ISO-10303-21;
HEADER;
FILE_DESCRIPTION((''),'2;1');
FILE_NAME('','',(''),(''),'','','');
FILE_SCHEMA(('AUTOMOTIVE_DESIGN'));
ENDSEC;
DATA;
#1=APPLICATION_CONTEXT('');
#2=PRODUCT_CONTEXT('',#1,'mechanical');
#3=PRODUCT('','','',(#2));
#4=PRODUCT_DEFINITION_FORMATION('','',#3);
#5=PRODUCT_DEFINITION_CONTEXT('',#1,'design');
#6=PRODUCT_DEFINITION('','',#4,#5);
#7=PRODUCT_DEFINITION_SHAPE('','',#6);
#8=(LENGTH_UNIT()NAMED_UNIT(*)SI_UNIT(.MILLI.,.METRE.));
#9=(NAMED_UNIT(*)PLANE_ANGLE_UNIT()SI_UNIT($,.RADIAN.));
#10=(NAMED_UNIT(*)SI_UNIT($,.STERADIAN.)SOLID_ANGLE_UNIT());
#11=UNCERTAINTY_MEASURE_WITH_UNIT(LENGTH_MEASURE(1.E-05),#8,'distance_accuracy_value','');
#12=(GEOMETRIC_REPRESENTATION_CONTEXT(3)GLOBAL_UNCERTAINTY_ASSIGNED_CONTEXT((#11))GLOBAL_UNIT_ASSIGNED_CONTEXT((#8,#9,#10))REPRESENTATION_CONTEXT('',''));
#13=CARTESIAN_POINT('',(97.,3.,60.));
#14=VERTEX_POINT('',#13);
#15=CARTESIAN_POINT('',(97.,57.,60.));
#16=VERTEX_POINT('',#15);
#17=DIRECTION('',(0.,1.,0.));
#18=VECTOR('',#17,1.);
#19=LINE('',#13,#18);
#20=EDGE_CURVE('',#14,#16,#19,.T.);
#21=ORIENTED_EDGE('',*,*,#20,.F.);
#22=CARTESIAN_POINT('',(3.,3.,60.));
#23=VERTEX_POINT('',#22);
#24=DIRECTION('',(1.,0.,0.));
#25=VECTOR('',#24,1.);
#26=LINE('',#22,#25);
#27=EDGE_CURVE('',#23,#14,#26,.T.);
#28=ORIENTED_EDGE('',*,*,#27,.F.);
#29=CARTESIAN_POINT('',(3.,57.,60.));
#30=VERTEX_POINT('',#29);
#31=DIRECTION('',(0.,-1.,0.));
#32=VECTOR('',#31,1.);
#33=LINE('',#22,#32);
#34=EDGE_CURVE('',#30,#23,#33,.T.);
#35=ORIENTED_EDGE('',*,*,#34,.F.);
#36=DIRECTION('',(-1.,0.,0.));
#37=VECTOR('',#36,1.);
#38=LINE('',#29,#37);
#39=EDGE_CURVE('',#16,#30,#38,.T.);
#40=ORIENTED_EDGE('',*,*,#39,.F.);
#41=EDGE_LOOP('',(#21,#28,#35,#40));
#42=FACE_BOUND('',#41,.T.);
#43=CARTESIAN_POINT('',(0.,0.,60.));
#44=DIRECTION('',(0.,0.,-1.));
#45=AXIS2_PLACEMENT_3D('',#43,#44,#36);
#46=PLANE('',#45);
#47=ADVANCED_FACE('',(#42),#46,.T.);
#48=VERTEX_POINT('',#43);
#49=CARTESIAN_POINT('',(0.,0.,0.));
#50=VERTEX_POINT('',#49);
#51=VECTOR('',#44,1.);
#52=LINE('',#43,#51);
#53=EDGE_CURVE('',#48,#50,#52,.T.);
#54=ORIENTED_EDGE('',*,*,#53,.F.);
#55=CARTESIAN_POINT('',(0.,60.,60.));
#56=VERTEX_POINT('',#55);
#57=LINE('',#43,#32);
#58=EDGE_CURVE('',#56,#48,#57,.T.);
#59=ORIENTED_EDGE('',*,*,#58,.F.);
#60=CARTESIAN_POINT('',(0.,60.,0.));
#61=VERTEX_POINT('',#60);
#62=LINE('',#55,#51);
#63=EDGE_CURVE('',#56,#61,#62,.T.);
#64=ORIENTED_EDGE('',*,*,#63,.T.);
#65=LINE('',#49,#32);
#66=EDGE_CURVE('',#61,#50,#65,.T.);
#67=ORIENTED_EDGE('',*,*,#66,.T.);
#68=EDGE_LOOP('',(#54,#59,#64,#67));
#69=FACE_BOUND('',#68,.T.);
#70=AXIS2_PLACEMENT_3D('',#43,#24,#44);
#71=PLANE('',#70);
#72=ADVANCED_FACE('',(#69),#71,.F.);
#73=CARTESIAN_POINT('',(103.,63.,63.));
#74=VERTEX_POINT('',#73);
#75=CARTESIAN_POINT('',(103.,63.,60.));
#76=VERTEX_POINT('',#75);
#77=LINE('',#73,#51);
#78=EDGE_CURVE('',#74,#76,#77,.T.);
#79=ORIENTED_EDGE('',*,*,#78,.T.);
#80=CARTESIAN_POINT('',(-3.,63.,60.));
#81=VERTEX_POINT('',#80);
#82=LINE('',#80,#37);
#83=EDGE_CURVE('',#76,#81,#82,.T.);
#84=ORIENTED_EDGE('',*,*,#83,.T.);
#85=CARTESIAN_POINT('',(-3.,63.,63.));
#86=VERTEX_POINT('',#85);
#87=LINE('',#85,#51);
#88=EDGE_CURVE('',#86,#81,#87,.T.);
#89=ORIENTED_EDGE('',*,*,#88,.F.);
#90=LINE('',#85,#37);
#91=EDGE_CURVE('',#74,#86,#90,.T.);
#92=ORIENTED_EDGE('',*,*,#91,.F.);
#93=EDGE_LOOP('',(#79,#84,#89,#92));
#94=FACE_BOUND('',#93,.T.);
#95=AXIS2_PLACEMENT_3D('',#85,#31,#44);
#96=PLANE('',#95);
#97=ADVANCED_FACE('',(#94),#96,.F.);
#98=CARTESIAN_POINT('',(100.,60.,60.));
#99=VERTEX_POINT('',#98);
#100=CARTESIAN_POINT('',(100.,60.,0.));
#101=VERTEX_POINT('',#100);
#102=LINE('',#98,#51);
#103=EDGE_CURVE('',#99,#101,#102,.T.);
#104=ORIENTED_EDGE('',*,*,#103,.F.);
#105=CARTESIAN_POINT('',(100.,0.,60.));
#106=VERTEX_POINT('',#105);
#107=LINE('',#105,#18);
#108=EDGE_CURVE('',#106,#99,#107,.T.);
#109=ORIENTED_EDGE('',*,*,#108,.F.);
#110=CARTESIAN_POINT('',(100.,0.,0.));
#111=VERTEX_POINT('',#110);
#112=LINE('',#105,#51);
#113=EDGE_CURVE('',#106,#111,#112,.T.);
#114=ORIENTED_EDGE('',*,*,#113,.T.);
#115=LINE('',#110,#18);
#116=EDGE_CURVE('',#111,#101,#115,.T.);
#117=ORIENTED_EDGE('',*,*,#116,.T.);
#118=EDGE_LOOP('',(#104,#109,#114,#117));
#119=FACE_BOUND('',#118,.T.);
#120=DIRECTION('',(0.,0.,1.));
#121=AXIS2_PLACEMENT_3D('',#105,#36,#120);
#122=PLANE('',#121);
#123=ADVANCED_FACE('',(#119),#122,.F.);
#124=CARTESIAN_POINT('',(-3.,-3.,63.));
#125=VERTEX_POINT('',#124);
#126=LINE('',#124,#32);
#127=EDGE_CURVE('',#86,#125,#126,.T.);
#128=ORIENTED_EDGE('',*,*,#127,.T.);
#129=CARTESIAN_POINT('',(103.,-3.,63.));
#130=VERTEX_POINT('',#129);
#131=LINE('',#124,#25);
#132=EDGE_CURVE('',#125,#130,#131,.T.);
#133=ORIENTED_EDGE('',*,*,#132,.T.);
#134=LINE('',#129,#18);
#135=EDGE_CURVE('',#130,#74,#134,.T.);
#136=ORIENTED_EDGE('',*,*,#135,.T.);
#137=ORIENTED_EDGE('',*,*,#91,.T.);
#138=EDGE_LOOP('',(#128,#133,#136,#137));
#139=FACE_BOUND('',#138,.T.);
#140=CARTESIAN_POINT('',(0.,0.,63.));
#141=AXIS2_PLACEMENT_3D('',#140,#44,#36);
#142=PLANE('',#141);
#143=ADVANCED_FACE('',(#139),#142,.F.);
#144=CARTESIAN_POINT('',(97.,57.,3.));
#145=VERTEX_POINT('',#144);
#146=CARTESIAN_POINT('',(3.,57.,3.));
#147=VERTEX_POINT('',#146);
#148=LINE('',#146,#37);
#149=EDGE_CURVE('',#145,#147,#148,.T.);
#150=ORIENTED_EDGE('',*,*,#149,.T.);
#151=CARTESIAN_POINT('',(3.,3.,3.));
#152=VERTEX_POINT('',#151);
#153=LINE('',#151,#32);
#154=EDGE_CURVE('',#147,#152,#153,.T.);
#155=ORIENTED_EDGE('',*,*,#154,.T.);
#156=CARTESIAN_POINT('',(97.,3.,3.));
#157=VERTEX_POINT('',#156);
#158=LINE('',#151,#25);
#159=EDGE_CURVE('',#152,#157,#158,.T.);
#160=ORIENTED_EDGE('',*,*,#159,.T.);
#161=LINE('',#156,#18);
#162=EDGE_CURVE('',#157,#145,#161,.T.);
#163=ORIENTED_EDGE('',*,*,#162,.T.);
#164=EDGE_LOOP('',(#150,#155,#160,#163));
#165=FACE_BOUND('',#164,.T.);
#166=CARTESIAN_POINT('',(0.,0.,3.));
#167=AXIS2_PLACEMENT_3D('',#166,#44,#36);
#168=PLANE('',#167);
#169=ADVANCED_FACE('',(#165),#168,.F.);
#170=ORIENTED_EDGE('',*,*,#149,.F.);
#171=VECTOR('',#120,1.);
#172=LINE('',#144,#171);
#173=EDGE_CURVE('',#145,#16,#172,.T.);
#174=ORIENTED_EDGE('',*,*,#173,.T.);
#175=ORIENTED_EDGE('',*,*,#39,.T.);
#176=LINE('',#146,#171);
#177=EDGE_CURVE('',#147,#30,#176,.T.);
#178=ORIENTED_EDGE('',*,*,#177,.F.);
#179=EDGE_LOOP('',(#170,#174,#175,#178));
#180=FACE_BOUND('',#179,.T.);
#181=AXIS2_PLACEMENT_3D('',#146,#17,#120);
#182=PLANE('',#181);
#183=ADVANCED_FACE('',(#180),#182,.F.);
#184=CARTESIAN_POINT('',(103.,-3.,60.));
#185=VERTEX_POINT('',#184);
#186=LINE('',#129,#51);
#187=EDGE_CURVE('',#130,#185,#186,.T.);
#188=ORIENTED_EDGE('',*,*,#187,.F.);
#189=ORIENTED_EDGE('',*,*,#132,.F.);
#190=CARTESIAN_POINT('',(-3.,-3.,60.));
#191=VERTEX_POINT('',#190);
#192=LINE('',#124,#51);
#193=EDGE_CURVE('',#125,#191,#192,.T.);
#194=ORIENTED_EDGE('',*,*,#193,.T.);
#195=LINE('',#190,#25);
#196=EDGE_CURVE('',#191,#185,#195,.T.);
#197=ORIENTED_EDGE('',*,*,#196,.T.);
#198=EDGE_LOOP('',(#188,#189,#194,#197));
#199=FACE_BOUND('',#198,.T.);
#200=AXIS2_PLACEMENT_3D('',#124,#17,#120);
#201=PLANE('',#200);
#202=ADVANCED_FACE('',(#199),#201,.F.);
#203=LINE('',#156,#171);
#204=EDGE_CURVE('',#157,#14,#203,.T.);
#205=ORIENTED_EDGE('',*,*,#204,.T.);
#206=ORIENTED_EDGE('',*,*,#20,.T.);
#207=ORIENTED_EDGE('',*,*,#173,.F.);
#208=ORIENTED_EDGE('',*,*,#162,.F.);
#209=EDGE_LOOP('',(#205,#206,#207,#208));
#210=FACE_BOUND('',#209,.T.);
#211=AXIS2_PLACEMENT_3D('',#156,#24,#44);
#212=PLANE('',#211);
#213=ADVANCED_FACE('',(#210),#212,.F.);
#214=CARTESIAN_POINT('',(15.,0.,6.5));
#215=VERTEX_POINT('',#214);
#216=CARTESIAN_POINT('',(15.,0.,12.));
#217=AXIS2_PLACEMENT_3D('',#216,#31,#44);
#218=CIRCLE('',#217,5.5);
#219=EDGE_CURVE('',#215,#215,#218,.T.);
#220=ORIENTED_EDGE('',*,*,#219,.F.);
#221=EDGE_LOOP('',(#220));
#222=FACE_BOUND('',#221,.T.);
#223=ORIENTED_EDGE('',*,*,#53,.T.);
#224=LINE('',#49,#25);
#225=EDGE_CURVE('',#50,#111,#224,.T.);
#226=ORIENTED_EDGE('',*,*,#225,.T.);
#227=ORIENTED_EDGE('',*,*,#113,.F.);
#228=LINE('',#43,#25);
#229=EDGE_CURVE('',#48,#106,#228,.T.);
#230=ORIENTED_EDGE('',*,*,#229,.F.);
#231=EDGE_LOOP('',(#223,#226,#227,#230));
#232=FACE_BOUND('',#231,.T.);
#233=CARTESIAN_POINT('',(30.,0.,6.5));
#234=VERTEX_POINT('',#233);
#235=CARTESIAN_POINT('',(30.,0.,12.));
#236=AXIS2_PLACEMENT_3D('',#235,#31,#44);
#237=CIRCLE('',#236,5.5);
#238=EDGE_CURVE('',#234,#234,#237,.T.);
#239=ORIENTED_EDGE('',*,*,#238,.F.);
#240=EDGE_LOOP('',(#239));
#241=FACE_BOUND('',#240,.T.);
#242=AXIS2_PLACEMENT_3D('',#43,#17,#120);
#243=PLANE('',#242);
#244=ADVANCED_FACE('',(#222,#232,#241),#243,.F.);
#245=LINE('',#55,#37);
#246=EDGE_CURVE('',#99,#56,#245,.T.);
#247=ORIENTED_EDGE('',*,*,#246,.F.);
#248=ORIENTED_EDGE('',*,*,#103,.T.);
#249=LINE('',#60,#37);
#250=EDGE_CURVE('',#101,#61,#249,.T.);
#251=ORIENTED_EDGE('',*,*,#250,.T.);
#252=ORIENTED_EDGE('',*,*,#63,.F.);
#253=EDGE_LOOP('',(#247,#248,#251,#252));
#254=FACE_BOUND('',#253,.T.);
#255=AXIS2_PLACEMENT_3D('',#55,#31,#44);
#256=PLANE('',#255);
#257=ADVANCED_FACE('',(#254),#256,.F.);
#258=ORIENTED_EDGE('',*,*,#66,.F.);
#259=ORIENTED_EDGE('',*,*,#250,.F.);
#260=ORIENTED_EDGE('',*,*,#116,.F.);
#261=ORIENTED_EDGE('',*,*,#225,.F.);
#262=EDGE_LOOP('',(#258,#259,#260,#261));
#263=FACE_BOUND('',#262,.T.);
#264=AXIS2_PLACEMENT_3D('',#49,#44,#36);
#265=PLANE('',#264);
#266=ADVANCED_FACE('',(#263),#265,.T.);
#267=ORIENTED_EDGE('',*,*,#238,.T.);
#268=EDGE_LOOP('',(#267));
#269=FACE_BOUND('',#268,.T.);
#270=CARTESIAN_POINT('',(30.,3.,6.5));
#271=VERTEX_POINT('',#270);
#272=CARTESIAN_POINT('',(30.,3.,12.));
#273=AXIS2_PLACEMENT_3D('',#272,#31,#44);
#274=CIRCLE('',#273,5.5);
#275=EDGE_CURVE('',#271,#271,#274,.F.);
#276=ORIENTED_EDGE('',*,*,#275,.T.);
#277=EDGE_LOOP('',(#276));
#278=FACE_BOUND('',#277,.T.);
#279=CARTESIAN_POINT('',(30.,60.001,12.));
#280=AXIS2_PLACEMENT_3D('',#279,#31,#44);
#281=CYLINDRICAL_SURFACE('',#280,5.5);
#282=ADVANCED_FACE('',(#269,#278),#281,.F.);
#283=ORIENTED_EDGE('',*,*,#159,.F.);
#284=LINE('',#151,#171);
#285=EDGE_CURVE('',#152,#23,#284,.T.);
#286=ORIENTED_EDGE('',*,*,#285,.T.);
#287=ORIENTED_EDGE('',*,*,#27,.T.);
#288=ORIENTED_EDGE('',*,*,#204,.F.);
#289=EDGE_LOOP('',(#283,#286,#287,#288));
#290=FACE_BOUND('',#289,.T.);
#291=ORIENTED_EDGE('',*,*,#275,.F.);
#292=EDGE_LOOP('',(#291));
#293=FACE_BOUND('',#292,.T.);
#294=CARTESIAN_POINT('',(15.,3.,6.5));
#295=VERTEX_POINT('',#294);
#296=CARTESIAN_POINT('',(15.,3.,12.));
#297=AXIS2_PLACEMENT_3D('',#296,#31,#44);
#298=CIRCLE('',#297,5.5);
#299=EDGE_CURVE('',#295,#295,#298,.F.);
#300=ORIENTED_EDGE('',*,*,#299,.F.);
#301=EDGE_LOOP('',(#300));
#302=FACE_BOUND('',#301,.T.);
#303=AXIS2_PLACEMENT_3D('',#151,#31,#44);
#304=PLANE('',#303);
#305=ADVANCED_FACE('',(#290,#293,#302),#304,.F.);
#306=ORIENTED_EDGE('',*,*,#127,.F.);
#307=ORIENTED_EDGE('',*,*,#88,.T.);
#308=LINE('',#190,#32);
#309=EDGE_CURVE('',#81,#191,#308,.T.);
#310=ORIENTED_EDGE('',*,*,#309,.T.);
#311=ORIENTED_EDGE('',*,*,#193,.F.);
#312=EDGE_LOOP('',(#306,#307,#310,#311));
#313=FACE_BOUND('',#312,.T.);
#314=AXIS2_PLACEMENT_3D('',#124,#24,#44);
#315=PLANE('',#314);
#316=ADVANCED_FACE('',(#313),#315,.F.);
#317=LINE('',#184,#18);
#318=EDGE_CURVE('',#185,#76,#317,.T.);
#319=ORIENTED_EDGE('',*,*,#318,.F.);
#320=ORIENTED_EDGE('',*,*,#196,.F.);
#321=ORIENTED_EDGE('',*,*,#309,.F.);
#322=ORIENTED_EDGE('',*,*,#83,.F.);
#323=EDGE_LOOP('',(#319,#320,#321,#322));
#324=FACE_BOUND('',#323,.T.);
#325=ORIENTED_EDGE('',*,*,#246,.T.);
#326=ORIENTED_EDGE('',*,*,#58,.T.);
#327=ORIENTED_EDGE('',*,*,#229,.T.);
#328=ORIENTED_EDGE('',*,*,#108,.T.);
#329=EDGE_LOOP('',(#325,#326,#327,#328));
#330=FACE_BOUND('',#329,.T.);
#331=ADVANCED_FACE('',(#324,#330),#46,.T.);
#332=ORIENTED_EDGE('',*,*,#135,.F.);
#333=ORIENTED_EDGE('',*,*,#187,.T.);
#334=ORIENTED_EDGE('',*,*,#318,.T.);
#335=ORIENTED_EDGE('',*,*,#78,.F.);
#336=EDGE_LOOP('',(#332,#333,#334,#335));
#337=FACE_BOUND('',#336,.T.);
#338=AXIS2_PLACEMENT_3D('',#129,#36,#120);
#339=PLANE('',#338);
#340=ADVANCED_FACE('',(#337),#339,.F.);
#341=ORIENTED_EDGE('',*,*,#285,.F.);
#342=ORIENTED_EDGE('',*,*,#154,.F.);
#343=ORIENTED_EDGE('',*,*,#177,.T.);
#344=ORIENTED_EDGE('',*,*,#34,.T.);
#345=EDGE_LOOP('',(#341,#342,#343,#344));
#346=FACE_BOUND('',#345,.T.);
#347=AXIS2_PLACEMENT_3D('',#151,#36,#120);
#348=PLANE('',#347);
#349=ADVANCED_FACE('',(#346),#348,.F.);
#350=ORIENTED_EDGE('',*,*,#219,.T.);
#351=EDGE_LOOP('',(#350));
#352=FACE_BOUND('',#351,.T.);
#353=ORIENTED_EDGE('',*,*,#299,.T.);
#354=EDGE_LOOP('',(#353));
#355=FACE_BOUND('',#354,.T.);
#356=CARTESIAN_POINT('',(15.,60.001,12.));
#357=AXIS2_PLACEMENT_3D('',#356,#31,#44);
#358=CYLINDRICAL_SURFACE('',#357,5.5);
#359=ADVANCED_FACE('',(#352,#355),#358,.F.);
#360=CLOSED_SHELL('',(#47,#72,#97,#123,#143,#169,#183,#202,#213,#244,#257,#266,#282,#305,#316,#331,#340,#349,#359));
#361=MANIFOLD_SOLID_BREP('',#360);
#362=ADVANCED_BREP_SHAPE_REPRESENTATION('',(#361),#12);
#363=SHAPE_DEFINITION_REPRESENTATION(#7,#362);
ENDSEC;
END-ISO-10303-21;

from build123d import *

# Parameters (mm, degrees)
SKETCH_1_W          = 100
SKETCH_1_H          = 60
EXTRUDE_1_DEPTH     = 60
SKETCH_2_W          = 94
SKETCH_2_H          = 54
CUT_EXTRUDE_1_DEPTH = 57
CUT_EXTRUDE_2_REACH = 133.149
SKETCH_8_R          = 5.5
SKETCH_9_W          = 106
SKETCH_9_H          = 66
EXTRUDE_2_DEPTH     = 3


with BuildPart() as part:
    # 草图1 → 凸台-拉伸1 (new body)
    with BuildSketch(Plane.XY):
        with Locations((50, 30)):
            Rectangle(SKETCH_1_W, SKETCH_1_H)
    extrude(amount=EXTRUDE_1_DEPTH)

    # 草图2 → 切除-拉伸1 (cut)
    with BuildSketch(Plane.XY.offset(60)):
        with Locations((50, 30)):
            Rectangle(SKETCH_2_W, SKETCH_2_H)
    extrude(amount=-CUT_EXTRUDE_1_DEPTH, mode=Mode.SUBTRACT)

    # 草图8 → 切除-拉伸2 (cut, up to next)
    with BuildSketch(Plane.XZ, mode=Mode.PRIVATE) as cut_extrude_2_sk1:
        with Locations(Location((15, 12, 0), (0, 0, 270))):
            Circle(SKETCH_8_R)
    cut_extrude_2_tool1 = extrude(cut_extrude_2_sk1.sketch, amount=-CUT_EXTRUDE_2_REACH, mode=Mode.PRIVATE) & part.part
    # 草图8 → 切除-拉伸2 (cut, up to next)
    with BuildSketch(Plane.XZ, mode=Mode.PRIVATE) as cut_extrude_2_sk2:
        with Locations(Location((30, 12, 0), (0, 0, 270))):
            Circle(SKETCH_8_R)
    cut_extrude_2_tool2 = extrude(cut_extrude_2_sk2.sketch, amount=-CUT_EXTRUDE_2_REACH, mode=Mode.PRIVATE) & part.part
    add(cut_extrude_2_tool1.solids().sort_by_distance((15, 0, 12))[0], mode=Mode.SUBTRACT)
    add(cut_extrude_2_tool2.solids().sort_by_distance((30, 0, 12))[0], mode=Mode.SUBTRACT)

    # 草图9 → 凸台-拉伸2 (add)
    with BuildSketch(Plane.XY.offset(60)):
        with Locations((50, 30)):
            Rectangle(SKETCH_9_W, SKETCH_9_H)
    extrude(amount=EXTRUDE_2_DEPTH)


solid = part.part
